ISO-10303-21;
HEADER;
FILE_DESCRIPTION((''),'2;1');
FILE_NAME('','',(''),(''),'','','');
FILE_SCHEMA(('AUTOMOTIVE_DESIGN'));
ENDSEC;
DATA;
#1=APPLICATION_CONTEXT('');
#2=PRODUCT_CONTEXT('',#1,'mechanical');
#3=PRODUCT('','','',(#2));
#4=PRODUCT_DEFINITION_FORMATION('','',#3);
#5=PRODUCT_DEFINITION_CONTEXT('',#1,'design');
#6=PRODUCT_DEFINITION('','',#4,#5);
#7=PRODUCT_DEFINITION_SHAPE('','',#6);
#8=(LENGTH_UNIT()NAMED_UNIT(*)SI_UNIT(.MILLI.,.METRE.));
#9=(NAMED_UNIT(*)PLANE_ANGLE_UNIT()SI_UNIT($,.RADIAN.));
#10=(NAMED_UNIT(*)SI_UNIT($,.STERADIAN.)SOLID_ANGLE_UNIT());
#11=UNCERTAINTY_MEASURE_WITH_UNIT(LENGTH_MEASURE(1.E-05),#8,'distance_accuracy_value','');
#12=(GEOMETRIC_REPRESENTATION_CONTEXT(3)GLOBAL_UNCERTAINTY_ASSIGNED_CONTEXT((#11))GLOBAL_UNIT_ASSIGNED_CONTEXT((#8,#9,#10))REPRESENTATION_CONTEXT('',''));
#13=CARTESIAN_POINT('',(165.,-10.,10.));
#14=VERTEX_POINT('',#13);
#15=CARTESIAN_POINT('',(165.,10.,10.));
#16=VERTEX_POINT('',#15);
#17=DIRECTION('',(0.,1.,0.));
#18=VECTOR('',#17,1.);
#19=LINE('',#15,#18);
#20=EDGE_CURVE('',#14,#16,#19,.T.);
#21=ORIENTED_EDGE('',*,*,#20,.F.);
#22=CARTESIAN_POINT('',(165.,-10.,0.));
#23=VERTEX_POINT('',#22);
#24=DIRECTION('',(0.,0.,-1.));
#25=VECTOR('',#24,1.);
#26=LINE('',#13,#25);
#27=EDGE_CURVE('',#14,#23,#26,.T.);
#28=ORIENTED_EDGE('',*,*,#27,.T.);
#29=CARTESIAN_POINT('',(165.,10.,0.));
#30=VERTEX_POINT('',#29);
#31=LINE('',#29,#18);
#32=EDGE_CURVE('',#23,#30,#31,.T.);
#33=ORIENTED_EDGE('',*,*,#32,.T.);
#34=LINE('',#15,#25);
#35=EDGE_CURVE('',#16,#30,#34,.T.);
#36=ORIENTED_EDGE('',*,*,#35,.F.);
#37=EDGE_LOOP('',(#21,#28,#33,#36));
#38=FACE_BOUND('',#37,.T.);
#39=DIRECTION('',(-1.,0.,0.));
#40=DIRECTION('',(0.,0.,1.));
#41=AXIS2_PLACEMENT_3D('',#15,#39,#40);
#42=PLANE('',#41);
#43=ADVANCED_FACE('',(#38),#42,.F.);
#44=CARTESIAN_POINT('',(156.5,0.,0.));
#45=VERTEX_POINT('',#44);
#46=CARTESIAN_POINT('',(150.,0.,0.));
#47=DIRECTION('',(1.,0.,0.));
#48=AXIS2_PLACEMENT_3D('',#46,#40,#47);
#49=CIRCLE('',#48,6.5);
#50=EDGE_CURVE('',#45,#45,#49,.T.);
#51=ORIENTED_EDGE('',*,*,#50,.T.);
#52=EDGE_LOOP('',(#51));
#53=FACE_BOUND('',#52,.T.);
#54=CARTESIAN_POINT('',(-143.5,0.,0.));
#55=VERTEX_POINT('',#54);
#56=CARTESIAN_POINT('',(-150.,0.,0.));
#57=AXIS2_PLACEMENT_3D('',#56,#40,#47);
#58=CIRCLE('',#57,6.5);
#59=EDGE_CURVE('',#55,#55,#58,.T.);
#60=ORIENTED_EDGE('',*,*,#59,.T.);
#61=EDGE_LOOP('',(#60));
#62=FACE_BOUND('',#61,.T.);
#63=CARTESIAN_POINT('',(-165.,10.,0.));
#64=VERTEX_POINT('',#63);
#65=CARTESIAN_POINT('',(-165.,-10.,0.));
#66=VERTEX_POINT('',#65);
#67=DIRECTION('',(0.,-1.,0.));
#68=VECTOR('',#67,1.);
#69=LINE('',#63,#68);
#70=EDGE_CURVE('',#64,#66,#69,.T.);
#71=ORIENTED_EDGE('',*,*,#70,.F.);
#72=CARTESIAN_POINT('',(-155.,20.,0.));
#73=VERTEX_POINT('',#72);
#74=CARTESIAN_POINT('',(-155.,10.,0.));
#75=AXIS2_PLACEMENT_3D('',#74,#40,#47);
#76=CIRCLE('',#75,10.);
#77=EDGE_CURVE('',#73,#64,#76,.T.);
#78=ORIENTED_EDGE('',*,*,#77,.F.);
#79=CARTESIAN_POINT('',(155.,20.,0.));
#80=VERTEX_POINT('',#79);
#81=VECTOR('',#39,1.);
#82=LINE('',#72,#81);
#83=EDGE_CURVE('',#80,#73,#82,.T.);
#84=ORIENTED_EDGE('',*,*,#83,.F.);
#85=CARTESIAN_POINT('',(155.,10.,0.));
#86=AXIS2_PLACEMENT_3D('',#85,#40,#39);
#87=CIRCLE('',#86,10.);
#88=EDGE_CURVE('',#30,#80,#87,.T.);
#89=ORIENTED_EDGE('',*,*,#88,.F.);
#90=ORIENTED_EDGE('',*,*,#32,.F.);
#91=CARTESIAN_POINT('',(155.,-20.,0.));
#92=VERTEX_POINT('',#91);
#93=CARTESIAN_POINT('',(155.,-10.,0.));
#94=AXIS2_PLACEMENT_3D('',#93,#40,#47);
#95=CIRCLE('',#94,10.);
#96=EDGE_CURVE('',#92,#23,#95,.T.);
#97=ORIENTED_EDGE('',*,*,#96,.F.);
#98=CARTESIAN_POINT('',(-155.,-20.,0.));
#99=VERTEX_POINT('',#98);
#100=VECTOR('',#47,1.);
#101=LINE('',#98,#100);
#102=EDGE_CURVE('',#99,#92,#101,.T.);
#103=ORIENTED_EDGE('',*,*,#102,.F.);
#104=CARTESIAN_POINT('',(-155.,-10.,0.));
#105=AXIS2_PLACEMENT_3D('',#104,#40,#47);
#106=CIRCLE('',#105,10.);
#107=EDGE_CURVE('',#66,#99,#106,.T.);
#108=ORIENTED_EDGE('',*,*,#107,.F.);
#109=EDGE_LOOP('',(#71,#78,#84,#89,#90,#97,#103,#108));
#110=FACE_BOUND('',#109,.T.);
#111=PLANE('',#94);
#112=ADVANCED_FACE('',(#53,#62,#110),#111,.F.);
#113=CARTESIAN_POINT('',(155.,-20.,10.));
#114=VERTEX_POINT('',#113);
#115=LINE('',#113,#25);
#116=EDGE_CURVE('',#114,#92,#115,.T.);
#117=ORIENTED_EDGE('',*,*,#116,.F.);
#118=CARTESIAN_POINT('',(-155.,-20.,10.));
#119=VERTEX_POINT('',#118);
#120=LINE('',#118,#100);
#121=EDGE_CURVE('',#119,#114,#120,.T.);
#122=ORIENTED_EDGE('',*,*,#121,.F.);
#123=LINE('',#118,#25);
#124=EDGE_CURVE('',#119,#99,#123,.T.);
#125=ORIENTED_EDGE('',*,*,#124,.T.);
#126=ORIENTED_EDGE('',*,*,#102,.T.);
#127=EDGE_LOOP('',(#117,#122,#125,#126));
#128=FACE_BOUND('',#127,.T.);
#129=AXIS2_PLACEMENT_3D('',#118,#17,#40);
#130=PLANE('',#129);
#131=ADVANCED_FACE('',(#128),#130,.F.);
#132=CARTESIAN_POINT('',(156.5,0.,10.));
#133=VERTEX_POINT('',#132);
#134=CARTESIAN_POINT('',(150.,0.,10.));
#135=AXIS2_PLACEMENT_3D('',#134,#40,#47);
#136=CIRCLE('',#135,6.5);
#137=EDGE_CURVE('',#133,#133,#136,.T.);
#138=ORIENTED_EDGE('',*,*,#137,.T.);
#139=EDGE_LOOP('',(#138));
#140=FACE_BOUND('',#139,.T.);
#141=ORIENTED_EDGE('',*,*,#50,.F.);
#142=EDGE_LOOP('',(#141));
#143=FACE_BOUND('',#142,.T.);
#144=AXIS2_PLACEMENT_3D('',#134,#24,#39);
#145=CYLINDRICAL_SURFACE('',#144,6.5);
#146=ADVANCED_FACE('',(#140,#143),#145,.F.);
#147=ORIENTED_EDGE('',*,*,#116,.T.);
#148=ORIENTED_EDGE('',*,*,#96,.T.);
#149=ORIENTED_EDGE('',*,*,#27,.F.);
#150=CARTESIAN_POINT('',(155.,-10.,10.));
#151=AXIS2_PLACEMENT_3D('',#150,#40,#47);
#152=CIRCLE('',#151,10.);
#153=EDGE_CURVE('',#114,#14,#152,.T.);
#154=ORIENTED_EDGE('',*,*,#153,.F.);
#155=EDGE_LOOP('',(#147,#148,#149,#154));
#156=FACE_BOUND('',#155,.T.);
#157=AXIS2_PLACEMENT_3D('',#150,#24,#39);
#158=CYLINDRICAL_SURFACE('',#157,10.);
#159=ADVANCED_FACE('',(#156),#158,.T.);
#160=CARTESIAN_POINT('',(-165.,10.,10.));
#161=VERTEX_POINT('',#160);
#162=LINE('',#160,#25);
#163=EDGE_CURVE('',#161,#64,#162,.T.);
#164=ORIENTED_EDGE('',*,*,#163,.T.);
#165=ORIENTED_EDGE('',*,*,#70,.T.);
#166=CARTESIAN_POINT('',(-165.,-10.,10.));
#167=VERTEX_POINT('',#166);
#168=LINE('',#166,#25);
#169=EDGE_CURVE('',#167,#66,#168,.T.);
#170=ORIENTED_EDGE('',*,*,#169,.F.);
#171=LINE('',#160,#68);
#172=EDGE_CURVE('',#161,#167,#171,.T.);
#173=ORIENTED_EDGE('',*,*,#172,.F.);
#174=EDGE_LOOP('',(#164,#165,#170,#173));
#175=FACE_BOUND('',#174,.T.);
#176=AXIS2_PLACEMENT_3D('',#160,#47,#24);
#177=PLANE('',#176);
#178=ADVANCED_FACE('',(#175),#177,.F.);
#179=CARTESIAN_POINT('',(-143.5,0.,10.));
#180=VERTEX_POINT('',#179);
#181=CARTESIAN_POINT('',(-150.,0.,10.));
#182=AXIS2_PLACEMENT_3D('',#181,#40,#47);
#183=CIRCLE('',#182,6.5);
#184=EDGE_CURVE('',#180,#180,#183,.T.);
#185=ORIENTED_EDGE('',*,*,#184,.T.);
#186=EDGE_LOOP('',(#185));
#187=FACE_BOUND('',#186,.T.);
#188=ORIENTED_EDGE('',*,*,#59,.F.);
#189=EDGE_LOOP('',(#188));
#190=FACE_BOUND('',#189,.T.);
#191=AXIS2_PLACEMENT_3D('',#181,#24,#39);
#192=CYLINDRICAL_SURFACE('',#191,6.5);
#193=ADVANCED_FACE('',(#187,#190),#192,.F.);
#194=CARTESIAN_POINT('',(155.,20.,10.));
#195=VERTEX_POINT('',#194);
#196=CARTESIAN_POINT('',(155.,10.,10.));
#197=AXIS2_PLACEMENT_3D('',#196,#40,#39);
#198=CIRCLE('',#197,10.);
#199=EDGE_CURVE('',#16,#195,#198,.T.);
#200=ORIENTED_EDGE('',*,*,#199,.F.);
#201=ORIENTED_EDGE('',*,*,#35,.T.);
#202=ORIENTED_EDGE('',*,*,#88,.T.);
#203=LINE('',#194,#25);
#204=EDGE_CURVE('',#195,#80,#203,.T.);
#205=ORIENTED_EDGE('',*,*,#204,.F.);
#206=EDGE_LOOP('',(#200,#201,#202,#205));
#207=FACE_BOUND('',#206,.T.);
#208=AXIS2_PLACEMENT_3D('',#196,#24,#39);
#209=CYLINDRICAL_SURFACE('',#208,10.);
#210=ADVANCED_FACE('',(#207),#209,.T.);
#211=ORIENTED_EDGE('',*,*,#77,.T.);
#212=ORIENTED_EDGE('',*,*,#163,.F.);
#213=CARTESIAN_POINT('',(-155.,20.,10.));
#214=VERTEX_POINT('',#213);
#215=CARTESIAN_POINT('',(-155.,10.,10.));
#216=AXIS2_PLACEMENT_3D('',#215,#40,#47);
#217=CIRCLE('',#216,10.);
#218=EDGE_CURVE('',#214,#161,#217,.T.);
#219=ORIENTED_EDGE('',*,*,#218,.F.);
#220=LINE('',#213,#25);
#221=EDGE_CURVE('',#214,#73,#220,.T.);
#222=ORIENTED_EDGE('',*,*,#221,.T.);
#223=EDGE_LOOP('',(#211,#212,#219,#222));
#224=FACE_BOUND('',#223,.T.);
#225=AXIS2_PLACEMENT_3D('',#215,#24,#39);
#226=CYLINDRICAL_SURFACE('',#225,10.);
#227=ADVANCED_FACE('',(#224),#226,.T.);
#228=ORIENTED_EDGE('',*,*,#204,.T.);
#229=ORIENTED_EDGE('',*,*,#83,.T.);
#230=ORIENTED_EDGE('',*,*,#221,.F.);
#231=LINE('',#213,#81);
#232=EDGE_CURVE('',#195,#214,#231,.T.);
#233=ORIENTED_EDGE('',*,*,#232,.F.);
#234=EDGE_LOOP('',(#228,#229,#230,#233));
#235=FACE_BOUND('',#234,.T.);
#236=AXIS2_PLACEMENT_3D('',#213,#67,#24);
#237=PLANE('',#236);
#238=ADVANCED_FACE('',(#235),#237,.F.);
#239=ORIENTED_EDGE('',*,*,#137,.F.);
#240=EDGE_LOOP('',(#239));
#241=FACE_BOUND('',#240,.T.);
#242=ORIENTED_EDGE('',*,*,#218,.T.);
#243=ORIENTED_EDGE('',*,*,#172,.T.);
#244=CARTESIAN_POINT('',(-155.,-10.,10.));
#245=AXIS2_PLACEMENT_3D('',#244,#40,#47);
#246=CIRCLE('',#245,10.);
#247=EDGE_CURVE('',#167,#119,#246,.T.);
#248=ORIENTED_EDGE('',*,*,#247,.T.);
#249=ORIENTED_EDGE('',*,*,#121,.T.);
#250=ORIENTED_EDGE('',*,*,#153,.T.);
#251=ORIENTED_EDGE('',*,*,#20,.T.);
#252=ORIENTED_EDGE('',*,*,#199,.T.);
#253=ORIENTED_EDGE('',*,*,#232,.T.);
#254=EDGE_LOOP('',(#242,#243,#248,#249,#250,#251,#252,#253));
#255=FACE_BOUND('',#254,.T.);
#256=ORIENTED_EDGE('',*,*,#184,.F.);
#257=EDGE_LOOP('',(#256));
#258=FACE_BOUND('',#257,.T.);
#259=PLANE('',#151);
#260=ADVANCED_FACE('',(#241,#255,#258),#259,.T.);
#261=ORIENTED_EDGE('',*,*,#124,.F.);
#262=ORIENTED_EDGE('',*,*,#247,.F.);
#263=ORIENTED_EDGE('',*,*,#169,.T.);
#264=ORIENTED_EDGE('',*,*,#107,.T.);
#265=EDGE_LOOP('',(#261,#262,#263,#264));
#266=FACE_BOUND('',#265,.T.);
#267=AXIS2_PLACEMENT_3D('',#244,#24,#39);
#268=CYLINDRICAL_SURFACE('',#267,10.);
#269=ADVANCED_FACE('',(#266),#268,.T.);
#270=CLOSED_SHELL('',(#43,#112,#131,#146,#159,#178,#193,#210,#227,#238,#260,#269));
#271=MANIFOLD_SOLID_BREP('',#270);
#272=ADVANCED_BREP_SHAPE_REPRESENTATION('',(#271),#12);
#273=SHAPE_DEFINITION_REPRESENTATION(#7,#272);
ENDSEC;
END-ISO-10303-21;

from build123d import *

# Parameters (mm, degrees)
SKETCH1_R           = 6.5
BOSS_EXTRUDE1_DEPTH = 10


with BuildPart() as part:
    # Sketch1 → Boss-Extrude1 (new body)
    with BuildSketch(Plane.XY):
        with BuildLine():
            Line((-155, 20), (155, 20))
            ThreePointArc((155, 20), (162.071067812, 17.071067812), (165, 10))
            Line((165, 10), (165, -10))
            ThreePointArc((165, -10), (162.071067812, -17.071067812), (155, -20))
            Line((155, -20), (-155, -20))
            ThreePointArc((-155, -20), (-162.071067812, -17.071067812), (-165, -10))
            Line((-165, -10), (-165, 10))
            ThreePointArc((-165, 10), (-162.071067812, 17.071067812), (-155, 20))
        make_face()
        with Locations((-150, 0)):
            Circle(SKETCH1_R, mode=Mode.SUBTRACT)
        with Locations((150, 0)):
            Circle(SKETCH1_R, mode=Mode.SUBTRACT)
    extrude(amount=BOSS_EXTRUDE1_DEPTH)


solid = part.part
